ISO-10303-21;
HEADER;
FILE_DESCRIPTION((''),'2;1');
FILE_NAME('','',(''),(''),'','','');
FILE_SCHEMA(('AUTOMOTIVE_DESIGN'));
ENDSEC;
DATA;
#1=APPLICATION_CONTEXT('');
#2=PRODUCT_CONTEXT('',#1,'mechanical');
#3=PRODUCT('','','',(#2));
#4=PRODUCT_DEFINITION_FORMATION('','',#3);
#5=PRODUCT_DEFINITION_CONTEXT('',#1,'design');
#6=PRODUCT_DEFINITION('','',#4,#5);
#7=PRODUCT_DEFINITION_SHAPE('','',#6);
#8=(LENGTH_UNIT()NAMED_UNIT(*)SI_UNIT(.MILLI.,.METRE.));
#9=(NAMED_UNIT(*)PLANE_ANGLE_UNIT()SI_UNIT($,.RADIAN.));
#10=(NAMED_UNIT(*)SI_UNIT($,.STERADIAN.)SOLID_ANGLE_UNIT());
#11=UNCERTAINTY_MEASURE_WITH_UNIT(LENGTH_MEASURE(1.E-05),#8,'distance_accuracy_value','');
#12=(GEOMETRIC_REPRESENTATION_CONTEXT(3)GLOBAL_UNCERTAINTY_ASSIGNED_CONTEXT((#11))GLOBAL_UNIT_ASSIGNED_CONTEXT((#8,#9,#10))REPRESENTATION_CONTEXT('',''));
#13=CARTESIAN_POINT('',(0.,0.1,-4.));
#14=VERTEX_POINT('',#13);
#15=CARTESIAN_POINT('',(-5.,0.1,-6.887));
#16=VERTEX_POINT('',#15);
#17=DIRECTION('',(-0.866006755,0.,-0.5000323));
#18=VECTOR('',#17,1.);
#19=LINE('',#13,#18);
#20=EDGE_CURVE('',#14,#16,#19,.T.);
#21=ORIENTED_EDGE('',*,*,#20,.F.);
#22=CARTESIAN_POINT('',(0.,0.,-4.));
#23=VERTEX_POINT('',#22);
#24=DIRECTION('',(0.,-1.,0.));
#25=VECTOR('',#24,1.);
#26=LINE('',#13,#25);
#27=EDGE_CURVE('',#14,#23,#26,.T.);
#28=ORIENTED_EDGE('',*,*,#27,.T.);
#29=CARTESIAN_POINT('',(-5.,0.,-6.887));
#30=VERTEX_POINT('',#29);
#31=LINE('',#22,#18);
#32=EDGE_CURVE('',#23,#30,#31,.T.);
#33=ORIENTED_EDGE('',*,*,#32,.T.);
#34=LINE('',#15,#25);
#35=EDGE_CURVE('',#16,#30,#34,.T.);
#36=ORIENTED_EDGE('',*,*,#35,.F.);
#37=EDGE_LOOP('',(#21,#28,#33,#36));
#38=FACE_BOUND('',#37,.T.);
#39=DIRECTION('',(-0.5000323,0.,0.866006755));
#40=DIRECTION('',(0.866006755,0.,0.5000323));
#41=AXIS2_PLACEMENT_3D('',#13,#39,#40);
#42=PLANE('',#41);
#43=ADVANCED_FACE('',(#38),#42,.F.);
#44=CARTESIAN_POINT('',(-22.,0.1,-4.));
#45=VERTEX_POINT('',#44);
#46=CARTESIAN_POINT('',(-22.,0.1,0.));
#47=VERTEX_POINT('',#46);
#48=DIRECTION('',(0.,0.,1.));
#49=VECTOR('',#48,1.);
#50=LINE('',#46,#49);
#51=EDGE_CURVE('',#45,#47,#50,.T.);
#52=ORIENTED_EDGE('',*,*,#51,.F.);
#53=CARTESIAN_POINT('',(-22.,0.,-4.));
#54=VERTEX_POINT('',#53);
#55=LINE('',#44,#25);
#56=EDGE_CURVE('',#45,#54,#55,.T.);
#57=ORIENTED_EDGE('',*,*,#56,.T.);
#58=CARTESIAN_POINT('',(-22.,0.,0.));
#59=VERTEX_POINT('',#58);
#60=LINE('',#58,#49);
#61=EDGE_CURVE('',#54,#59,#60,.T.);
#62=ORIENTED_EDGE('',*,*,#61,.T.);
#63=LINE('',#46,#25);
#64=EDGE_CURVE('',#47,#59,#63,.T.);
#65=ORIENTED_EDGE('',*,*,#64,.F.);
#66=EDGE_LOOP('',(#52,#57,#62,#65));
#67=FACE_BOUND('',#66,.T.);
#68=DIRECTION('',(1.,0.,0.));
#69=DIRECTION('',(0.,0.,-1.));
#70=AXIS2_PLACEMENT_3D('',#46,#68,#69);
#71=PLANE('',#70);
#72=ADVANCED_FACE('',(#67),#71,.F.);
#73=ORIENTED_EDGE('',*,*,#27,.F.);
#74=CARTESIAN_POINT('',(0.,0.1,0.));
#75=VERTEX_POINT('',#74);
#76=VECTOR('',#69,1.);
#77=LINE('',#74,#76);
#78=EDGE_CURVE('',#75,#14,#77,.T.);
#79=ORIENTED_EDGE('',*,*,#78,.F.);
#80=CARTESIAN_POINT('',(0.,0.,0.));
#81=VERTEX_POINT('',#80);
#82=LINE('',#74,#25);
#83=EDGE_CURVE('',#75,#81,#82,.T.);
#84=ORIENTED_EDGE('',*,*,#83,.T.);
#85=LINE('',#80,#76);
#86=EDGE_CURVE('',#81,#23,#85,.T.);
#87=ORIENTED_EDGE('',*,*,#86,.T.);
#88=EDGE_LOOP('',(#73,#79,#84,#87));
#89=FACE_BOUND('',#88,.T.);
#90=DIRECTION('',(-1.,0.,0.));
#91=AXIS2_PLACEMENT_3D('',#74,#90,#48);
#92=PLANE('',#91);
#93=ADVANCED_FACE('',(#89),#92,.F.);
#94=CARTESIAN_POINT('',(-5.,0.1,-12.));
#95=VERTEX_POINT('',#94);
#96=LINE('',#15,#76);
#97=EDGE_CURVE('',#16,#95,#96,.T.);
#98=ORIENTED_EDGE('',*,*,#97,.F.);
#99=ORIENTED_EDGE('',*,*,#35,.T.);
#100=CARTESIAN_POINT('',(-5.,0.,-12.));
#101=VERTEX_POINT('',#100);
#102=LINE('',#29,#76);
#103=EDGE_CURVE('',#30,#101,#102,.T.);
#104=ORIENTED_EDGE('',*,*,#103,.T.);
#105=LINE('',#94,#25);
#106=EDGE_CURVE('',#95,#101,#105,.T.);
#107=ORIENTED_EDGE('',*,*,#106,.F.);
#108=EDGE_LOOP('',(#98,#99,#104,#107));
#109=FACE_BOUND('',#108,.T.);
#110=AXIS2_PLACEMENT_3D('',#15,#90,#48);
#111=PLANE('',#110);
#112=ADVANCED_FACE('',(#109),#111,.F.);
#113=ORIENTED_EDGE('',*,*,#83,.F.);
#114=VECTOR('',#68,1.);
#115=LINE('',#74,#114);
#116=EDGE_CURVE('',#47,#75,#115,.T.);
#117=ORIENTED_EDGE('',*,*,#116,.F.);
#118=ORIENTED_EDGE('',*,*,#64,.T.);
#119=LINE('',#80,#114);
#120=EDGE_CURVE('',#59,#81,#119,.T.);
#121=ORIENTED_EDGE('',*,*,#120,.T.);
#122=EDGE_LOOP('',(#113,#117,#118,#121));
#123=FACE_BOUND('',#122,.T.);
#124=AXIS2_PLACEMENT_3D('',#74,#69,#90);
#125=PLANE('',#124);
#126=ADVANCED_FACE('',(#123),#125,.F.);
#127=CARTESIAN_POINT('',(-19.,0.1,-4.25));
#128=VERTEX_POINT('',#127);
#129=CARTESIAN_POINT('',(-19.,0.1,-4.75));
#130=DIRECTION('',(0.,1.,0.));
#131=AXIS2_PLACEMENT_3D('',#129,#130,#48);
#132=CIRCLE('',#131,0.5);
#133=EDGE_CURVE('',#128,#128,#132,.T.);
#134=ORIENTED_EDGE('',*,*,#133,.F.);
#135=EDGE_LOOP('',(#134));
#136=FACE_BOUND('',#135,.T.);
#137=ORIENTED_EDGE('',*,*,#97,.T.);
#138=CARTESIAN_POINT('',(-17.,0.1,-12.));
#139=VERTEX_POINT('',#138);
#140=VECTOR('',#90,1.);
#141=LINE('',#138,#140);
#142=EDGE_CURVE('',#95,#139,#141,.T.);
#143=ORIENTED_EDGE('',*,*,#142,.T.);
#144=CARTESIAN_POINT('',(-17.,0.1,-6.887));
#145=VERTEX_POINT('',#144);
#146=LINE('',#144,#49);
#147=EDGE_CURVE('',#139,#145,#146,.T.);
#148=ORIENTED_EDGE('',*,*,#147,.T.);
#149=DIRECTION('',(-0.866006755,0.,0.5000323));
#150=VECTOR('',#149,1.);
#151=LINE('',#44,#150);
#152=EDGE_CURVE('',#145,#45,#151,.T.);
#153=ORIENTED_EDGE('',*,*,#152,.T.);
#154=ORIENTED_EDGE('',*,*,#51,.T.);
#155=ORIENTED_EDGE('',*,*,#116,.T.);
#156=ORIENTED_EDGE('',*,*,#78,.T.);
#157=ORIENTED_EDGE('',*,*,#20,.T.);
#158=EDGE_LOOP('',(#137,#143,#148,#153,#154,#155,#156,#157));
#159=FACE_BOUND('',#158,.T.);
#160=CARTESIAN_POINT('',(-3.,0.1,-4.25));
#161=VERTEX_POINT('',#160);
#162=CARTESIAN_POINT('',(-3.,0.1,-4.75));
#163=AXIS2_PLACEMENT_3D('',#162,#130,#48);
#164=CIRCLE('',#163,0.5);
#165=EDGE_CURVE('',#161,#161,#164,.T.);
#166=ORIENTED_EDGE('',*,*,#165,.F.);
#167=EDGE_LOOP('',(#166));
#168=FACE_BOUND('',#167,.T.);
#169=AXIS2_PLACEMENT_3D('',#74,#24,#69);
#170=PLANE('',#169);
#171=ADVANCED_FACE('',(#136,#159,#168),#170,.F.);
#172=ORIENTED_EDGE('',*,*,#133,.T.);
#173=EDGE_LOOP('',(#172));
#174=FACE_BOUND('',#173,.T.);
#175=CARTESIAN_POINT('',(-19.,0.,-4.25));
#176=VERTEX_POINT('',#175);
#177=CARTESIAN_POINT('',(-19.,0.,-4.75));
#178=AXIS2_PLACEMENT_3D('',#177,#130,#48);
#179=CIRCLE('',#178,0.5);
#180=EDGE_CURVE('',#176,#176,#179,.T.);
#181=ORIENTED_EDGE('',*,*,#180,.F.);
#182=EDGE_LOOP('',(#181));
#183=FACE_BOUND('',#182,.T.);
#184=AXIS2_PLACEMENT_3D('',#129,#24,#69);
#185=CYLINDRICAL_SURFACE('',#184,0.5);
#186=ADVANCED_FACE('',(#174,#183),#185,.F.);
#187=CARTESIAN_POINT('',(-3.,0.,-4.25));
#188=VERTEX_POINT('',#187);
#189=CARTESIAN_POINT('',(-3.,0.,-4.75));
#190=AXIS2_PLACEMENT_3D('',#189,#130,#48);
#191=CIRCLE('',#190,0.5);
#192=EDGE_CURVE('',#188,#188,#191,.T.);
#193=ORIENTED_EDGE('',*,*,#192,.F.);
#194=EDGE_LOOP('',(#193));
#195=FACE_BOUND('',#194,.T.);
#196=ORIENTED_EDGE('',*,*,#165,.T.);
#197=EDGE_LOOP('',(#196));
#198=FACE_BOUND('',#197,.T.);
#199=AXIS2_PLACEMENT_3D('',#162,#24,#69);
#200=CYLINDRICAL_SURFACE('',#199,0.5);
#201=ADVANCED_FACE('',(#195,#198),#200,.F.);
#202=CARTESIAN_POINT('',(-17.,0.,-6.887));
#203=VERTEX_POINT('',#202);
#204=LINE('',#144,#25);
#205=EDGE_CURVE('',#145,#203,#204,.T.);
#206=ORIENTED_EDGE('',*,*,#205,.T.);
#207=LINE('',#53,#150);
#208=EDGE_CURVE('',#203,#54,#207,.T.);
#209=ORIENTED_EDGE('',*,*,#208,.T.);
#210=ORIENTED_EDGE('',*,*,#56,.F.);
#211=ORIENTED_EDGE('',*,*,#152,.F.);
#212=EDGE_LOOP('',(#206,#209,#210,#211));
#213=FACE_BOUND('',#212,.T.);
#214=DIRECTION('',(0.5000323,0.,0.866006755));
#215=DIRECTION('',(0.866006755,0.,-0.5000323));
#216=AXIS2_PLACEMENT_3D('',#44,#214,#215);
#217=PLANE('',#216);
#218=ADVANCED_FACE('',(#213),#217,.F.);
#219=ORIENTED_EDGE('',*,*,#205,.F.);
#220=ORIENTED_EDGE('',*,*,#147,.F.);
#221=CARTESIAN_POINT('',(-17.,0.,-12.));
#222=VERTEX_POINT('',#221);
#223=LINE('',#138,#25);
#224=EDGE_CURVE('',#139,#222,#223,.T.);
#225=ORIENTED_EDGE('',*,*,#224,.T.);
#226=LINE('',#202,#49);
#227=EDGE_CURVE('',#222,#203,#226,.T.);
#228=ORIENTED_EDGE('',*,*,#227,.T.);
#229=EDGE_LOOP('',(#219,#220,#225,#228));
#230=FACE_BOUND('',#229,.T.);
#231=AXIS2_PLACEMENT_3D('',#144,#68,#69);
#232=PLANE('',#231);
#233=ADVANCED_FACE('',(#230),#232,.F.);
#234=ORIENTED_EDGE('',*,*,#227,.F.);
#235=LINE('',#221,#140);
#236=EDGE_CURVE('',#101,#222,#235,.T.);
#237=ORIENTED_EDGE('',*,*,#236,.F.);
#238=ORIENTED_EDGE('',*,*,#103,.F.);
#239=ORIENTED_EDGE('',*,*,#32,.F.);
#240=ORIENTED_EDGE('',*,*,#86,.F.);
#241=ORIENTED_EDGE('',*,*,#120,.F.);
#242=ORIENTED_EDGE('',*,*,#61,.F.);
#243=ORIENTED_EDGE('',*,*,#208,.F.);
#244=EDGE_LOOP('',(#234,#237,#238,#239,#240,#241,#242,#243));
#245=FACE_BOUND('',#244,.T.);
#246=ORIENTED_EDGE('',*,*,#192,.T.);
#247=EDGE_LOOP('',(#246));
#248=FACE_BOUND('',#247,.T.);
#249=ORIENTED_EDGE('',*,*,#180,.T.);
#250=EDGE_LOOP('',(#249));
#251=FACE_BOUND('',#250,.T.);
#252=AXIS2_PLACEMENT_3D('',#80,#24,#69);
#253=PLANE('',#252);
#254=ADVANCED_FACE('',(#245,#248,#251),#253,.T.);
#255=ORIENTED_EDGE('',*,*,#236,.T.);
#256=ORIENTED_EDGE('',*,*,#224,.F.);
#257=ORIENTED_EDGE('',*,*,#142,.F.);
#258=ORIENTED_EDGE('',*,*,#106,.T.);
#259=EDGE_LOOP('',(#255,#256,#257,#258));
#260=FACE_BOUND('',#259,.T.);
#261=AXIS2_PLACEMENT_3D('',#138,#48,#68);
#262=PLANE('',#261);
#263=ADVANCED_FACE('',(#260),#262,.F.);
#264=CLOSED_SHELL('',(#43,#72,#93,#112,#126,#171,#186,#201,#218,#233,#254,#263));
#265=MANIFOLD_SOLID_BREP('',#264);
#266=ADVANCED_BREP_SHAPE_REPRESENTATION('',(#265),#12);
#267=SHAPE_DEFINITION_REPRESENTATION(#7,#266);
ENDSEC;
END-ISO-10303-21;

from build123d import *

# Parameters (mm, degrees)
SKETCH1_R           = 0.5
BOSS_EXTRUDE1_DEPTH = 0.1


with BuildPart() as part:
    # Sketch1 → Boss-Extrude1 (new body)
    with BuildSketch(Plane(origin=(0, 0, 0), x_dir=(1, 0, 0), z_dir=(0, 1, 0))):
        Polygon((-22, 4), (-17, 6.887), (-17, 12), (-5, 12), (-5, 6.887), (0, 4), (0, 0), (-22, 0), align=None)
        with Locations(Location((-19, 4.75, 0), (0, 0, 270))):
            Circle(SKETCH1_R, mode=Mode.SUBTRACT)
        with Locations(Location((-3, 4.75, 0), (0, 0, 270))):
            Circle(SKETCH1_R, mode=Mode.SUBTRACT)
    extrude(amount=BOSS_EXTRUDE1_DEPTH)


solid = part.part
